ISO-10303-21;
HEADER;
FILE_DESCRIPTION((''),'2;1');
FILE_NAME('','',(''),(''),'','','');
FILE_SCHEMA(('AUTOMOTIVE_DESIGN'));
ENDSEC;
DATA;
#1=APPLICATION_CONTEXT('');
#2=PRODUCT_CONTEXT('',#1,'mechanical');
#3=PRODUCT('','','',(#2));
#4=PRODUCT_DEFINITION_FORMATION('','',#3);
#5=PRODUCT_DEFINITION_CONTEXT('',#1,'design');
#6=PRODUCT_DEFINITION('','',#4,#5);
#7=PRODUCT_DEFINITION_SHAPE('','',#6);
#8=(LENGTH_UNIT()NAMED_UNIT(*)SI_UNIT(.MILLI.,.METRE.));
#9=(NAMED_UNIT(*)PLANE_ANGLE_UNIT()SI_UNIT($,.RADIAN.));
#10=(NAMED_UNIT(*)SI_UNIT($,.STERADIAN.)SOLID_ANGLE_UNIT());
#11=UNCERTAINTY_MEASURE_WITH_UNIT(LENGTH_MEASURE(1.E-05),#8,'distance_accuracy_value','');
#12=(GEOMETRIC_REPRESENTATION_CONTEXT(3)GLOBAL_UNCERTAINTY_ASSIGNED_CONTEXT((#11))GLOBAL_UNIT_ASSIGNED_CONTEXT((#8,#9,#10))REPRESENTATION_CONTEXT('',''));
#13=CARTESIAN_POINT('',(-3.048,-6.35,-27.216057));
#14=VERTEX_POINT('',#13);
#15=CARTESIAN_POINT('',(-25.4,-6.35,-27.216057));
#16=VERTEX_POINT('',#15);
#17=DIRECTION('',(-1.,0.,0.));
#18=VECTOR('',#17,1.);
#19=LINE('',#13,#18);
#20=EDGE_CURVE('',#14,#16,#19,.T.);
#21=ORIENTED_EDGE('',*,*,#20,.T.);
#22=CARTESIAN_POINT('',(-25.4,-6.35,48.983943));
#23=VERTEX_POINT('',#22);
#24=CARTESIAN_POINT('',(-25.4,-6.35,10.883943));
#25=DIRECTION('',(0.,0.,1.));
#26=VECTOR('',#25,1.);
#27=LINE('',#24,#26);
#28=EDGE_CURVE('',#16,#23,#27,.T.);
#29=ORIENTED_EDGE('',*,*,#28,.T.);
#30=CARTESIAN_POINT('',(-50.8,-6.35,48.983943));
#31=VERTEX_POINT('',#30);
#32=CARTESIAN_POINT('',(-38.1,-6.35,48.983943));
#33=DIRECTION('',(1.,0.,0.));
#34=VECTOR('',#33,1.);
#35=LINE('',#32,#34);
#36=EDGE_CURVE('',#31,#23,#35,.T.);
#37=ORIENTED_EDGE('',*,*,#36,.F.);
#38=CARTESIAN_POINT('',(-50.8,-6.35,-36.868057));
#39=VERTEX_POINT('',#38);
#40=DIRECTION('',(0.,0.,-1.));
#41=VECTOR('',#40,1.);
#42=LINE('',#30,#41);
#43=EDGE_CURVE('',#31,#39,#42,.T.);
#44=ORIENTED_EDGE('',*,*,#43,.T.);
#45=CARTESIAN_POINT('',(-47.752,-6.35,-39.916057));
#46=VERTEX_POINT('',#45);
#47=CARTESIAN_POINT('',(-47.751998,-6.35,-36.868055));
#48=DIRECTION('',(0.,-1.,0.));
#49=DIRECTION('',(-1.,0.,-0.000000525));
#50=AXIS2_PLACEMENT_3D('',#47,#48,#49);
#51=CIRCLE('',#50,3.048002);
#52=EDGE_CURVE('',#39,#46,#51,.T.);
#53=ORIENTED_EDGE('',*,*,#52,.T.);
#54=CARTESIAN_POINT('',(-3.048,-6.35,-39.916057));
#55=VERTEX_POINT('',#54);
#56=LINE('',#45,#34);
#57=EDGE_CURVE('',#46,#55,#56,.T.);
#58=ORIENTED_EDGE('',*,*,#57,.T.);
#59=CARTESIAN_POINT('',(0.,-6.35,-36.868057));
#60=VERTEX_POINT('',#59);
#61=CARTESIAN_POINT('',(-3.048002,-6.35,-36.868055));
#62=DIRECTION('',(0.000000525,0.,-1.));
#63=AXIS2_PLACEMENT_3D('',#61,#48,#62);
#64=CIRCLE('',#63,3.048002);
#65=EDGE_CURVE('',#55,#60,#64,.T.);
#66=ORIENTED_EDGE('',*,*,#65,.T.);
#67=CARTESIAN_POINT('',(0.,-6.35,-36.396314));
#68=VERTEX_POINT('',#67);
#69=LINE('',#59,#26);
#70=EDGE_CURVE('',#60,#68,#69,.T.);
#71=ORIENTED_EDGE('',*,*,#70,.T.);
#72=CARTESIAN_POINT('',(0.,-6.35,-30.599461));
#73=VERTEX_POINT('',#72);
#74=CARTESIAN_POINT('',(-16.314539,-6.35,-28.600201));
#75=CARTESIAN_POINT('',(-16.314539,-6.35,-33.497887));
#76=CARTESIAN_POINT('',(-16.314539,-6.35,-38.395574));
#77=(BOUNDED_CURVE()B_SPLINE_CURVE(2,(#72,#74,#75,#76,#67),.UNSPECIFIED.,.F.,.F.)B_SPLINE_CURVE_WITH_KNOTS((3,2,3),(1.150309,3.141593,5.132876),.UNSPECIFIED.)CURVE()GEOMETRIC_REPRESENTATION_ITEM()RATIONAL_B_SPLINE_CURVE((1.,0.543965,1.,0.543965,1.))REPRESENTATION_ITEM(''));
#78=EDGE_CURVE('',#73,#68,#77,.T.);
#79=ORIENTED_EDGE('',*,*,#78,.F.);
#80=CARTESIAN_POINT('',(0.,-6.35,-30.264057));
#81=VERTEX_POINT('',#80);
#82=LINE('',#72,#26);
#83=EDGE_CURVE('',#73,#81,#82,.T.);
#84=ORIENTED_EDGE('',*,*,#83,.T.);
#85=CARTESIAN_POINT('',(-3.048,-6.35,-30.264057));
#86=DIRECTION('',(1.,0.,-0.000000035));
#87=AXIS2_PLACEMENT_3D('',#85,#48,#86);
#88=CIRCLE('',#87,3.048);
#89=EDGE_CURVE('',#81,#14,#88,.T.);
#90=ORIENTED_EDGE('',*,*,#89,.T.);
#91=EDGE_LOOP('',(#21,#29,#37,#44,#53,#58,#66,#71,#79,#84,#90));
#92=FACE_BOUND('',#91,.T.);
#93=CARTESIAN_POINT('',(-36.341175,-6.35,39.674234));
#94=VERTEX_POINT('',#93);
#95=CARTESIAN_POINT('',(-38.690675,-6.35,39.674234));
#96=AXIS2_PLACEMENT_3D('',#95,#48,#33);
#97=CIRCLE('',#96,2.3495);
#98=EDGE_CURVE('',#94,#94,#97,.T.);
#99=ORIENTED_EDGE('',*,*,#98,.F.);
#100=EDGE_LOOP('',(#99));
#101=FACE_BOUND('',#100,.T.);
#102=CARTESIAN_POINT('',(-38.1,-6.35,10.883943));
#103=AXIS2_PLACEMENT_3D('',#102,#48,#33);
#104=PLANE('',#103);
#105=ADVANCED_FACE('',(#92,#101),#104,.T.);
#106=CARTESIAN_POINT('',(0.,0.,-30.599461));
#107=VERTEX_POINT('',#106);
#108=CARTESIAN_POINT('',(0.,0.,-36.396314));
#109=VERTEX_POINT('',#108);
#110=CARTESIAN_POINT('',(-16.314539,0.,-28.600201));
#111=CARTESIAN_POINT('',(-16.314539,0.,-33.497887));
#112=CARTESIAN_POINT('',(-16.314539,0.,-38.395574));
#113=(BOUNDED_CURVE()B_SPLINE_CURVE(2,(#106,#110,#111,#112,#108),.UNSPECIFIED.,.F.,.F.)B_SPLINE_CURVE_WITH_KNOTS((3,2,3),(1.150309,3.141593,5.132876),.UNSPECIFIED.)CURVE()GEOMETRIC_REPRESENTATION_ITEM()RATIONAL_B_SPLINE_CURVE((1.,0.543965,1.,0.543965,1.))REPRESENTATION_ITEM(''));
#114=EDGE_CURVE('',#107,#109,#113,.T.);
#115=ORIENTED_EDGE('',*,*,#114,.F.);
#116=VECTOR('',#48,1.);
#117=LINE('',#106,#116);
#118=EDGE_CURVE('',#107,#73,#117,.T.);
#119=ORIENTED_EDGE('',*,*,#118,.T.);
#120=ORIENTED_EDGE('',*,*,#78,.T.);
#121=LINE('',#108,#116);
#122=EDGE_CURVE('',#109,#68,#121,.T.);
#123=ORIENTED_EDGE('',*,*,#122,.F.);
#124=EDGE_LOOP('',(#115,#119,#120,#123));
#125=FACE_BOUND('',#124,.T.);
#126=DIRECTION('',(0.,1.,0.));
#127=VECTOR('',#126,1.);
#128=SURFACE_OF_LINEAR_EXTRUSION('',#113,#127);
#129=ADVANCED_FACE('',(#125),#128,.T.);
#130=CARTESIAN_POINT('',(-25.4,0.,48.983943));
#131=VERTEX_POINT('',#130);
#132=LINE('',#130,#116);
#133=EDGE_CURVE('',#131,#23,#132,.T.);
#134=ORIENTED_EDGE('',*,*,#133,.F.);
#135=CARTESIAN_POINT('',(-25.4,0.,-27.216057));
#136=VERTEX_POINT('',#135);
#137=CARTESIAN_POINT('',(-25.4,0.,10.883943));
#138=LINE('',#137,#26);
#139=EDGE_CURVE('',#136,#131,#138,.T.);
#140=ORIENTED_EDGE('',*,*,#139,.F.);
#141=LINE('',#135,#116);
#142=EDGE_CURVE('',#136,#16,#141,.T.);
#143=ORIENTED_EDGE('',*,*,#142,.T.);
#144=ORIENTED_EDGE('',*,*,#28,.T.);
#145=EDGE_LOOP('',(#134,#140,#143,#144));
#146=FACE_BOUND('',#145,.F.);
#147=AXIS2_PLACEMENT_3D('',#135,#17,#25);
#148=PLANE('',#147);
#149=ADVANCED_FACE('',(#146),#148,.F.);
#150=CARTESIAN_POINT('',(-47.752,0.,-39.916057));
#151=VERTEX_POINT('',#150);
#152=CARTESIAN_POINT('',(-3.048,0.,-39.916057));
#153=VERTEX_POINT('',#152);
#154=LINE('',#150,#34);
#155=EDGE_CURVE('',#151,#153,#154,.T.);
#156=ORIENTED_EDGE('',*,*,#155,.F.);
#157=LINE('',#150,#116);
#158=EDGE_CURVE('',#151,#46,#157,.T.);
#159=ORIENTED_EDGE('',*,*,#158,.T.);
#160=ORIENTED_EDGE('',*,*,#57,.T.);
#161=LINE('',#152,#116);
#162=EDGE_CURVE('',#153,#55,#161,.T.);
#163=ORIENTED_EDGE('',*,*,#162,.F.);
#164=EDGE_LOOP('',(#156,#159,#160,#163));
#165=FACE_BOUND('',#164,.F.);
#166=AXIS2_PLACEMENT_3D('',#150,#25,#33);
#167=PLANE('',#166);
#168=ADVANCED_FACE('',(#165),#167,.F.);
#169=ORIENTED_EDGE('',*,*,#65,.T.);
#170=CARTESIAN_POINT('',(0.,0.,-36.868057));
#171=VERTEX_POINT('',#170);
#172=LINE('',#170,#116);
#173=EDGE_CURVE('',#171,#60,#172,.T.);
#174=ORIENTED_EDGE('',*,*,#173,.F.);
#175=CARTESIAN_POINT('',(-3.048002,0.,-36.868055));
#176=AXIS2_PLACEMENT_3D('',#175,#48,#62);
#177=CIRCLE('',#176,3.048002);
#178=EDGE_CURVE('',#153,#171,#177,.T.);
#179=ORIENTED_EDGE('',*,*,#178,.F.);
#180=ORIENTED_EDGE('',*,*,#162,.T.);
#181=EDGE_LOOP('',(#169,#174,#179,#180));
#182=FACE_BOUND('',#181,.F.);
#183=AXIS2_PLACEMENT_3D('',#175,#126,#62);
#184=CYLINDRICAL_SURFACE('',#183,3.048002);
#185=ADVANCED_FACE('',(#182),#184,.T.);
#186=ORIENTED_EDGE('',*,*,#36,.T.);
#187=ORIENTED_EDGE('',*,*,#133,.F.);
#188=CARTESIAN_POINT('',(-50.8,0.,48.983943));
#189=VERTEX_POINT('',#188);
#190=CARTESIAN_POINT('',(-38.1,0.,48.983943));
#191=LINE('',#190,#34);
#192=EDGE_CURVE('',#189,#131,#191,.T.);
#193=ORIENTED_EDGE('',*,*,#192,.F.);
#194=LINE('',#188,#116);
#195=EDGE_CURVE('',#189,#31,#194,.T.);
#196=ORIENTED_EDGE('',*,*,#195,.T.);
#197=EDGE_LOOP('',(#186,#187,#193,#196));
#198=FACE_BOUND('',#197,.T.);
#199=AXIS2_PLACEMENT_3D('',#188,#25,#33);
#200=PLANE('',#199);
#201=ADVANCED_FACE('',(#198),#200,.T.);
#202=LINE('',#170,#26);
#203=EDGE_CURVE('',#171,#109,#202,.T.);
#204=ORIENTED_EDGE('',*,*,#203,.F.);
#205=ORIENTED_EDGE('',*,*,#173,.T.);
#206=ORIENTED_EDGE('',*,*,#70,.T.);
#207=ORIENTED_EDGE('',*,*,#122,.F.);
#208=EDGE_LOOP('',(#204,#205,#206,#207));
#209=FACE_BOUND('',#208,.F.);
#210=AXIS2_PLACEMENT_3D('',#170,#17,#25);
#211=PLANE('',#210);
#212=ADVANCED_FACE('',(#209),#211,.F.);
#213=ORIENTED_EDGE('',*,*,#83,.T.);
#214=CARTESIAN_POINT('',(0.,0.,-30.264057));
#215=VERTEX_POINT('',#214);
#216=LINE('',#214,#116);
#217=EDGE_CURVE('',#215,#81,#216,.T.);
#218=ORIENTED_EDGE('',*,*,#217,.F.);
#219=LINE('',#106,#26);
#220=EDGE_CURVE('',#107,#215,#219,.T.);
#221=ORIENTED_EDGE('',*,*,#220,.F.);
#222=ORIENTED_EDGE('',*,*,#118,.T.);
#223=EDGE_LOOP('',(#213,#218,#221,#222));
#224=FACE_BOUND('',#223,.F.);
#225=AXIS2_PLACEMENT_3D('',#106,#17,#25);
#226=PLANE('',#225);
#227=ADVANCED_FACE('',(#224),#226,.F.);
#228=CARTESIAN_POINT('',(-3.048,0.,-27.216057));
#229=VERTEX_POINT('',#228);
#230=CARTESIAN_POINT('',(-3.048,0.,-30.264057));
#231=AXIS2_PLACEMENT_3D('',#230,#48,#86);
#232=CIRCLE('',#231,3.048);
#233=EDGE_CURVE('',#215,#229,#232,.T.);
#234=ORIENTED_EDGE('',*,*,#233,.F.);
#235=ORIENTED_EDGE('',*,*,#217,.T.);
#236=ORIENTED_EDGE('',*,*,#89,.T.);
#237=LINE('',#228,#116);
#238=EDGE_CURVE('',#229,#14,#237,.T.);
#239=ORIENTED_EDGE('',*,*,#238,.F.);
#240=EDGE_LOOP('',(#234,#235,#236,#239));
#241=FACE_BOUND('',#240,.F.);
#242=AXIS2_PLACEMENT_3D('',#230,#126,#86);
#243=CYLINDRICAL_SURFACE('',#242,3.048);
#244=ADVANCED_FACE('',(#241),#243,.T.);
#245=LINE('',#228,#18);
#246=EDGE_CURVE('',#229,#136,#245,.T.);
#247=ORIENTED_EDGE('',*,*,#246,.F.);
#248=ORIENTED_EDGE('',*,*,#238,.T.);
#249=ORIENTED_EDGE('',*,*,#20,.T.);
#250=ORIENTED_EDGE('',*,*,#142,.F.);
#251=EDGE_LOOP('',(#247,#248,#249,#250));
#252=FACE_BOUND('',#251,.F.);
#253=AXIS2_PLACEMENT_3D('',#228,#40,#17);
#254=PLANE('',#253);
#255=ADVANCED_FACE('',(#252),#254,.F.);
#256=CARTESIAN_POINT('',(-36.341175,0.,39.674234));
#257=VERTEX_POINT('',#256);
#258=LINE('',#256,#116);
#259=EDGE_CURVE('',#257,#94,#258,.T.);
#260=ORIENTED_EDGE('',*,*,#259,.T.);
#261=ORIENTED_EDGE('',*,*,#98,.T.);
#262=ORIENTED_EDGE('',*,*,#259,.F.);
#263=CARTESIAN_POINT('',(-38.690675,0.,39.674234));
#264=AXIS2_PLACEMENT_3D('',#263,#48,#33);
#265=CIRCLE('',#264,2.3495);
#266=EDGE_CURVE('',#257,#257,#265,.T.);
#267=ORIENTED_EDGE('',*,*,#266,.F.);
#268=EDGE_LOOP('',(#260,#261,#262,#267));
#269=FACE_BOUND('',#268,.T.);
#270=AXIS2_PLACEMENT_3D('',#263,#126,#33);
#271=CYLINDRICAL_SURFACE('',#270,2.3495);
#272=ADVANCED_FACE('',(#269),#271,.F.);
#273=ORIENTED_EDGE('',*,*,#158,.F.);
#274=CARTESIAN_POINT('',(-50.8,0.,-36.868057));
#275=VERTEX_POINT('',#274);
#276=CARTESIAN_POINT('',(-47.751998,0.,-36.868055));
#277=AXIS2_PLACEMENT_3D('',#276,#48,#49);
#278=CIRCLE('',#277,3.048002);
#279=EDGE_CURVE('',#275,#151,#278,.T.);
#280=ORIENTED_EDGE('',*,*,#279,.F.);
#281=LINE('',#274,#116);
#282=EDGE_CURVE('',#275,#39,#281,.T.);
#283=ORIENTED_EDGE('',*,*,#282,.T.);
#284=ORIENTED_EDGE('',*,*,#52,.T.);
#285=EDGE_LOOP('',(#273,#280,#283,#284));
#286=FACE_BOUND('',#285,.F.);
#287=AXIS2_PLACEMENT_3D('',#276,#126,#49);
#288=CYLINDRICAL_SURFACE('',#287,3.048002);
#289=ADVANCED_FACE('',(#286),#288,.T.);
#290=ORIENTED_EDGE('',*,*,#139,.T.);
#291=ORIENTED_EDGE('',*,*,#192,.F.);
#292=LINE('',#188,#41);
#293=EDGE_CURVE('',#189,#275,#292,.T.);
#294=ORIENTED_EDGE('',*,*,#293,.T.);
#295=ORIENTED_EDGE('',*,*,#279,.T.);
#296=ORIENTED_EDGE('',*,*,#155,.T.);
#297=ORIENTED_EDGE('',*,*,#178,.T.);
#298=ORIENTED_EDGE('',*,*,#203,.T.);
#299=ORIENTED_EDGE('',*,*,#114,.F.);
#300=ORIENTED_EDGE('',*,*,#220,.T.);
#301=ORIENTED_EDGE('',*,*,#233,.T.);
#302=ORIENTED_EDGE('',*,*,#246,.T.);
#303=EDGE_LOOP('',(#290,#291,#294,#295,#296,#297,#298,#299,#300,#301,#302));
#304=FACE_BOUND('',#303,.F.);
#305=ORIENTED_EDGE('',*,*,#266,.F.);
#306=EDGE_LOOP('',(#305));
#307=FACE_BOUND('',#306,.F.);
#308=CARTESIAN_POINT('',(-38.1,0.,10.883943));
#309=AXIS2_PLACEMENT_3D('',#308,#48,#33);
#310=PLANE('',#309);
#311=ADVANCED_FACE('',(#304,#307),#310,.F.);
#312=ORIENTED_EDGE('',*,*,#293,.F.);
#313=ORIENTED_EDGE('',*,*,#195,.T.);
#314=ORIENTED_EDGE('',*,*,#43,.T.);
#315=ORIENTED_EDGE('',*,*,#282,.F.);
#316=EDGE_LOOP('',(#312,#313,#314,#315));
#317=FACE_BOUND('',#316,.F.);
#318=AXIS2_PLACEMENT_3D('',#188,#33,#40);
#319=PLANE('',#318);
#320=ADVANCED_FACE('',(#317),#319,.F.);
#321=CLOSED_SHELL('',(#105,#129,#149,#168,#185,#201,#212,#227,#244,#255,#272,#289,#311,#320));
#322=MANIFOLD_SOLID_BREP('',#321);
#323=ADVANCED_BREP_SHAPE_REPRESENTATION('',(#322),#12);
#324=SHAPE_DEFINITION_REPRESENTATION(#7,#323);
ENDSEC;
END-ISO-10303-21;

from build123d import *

# Parameters (mm, degrees)
F0_W     = 25.4
F0_H     = 76.2
F0_R     = 2.3495
F1_DEPTH = 6.35


with BuildPart() as f1:
    # F0 (on Front) → F1 (new body)
    with BuildSketch(Plane.XZ):
        with Locations((-38.1, 10.883943)):
            Rectangle(F0_W, F0_H)
        with Locations((-38.690675, 39.674234)):
            Circle(F0_R, mode=Mode.SUBTRACT)
        with BuildLine():
            Line((-25.4, -27.216057), (-50.8, -27.216057))
            Line((-50.8, -27.216057), (-50.8, -36.868057))
            ThreePointArc((-50.8, -36.868057), (-49.907261, -39.023318), (-47.752, -39.916057))
            Line((-47.752, -39.916057), (-3.048, -39.916057))
            ThreePointArc((-3.048, -39.916057), (-0.892739, -39.023318), (0, -36.868057))
            Line((0, -36.868057), (0, -36.396314))
            add(Edge.make_bspline(
                [(0, -30.599461), (-16.314539, -28.600201), (-16.314539, -33.497887), (-16.314539, -38.395574), (0, -36.396314)],
                knots=[1.150309, 1.150309, 1.150309, 3.141593, 3.141593, 5.132876, 5.132876, 5.132876], degree=2, weights=[1, 0.543965, 1, 0.543965, 1]))
            Line((0, -30.599461), (0, -30.264057))
            ThreePointArc((0, -30.264057), (-0.892739, -28.108795), (-3.048, -27.216057))
            Line((-3.048, -27.216057), (-25.4, -27.216057))
        make_face()
    extrude(amount=F1_DEPTH)


solid = f1.part
